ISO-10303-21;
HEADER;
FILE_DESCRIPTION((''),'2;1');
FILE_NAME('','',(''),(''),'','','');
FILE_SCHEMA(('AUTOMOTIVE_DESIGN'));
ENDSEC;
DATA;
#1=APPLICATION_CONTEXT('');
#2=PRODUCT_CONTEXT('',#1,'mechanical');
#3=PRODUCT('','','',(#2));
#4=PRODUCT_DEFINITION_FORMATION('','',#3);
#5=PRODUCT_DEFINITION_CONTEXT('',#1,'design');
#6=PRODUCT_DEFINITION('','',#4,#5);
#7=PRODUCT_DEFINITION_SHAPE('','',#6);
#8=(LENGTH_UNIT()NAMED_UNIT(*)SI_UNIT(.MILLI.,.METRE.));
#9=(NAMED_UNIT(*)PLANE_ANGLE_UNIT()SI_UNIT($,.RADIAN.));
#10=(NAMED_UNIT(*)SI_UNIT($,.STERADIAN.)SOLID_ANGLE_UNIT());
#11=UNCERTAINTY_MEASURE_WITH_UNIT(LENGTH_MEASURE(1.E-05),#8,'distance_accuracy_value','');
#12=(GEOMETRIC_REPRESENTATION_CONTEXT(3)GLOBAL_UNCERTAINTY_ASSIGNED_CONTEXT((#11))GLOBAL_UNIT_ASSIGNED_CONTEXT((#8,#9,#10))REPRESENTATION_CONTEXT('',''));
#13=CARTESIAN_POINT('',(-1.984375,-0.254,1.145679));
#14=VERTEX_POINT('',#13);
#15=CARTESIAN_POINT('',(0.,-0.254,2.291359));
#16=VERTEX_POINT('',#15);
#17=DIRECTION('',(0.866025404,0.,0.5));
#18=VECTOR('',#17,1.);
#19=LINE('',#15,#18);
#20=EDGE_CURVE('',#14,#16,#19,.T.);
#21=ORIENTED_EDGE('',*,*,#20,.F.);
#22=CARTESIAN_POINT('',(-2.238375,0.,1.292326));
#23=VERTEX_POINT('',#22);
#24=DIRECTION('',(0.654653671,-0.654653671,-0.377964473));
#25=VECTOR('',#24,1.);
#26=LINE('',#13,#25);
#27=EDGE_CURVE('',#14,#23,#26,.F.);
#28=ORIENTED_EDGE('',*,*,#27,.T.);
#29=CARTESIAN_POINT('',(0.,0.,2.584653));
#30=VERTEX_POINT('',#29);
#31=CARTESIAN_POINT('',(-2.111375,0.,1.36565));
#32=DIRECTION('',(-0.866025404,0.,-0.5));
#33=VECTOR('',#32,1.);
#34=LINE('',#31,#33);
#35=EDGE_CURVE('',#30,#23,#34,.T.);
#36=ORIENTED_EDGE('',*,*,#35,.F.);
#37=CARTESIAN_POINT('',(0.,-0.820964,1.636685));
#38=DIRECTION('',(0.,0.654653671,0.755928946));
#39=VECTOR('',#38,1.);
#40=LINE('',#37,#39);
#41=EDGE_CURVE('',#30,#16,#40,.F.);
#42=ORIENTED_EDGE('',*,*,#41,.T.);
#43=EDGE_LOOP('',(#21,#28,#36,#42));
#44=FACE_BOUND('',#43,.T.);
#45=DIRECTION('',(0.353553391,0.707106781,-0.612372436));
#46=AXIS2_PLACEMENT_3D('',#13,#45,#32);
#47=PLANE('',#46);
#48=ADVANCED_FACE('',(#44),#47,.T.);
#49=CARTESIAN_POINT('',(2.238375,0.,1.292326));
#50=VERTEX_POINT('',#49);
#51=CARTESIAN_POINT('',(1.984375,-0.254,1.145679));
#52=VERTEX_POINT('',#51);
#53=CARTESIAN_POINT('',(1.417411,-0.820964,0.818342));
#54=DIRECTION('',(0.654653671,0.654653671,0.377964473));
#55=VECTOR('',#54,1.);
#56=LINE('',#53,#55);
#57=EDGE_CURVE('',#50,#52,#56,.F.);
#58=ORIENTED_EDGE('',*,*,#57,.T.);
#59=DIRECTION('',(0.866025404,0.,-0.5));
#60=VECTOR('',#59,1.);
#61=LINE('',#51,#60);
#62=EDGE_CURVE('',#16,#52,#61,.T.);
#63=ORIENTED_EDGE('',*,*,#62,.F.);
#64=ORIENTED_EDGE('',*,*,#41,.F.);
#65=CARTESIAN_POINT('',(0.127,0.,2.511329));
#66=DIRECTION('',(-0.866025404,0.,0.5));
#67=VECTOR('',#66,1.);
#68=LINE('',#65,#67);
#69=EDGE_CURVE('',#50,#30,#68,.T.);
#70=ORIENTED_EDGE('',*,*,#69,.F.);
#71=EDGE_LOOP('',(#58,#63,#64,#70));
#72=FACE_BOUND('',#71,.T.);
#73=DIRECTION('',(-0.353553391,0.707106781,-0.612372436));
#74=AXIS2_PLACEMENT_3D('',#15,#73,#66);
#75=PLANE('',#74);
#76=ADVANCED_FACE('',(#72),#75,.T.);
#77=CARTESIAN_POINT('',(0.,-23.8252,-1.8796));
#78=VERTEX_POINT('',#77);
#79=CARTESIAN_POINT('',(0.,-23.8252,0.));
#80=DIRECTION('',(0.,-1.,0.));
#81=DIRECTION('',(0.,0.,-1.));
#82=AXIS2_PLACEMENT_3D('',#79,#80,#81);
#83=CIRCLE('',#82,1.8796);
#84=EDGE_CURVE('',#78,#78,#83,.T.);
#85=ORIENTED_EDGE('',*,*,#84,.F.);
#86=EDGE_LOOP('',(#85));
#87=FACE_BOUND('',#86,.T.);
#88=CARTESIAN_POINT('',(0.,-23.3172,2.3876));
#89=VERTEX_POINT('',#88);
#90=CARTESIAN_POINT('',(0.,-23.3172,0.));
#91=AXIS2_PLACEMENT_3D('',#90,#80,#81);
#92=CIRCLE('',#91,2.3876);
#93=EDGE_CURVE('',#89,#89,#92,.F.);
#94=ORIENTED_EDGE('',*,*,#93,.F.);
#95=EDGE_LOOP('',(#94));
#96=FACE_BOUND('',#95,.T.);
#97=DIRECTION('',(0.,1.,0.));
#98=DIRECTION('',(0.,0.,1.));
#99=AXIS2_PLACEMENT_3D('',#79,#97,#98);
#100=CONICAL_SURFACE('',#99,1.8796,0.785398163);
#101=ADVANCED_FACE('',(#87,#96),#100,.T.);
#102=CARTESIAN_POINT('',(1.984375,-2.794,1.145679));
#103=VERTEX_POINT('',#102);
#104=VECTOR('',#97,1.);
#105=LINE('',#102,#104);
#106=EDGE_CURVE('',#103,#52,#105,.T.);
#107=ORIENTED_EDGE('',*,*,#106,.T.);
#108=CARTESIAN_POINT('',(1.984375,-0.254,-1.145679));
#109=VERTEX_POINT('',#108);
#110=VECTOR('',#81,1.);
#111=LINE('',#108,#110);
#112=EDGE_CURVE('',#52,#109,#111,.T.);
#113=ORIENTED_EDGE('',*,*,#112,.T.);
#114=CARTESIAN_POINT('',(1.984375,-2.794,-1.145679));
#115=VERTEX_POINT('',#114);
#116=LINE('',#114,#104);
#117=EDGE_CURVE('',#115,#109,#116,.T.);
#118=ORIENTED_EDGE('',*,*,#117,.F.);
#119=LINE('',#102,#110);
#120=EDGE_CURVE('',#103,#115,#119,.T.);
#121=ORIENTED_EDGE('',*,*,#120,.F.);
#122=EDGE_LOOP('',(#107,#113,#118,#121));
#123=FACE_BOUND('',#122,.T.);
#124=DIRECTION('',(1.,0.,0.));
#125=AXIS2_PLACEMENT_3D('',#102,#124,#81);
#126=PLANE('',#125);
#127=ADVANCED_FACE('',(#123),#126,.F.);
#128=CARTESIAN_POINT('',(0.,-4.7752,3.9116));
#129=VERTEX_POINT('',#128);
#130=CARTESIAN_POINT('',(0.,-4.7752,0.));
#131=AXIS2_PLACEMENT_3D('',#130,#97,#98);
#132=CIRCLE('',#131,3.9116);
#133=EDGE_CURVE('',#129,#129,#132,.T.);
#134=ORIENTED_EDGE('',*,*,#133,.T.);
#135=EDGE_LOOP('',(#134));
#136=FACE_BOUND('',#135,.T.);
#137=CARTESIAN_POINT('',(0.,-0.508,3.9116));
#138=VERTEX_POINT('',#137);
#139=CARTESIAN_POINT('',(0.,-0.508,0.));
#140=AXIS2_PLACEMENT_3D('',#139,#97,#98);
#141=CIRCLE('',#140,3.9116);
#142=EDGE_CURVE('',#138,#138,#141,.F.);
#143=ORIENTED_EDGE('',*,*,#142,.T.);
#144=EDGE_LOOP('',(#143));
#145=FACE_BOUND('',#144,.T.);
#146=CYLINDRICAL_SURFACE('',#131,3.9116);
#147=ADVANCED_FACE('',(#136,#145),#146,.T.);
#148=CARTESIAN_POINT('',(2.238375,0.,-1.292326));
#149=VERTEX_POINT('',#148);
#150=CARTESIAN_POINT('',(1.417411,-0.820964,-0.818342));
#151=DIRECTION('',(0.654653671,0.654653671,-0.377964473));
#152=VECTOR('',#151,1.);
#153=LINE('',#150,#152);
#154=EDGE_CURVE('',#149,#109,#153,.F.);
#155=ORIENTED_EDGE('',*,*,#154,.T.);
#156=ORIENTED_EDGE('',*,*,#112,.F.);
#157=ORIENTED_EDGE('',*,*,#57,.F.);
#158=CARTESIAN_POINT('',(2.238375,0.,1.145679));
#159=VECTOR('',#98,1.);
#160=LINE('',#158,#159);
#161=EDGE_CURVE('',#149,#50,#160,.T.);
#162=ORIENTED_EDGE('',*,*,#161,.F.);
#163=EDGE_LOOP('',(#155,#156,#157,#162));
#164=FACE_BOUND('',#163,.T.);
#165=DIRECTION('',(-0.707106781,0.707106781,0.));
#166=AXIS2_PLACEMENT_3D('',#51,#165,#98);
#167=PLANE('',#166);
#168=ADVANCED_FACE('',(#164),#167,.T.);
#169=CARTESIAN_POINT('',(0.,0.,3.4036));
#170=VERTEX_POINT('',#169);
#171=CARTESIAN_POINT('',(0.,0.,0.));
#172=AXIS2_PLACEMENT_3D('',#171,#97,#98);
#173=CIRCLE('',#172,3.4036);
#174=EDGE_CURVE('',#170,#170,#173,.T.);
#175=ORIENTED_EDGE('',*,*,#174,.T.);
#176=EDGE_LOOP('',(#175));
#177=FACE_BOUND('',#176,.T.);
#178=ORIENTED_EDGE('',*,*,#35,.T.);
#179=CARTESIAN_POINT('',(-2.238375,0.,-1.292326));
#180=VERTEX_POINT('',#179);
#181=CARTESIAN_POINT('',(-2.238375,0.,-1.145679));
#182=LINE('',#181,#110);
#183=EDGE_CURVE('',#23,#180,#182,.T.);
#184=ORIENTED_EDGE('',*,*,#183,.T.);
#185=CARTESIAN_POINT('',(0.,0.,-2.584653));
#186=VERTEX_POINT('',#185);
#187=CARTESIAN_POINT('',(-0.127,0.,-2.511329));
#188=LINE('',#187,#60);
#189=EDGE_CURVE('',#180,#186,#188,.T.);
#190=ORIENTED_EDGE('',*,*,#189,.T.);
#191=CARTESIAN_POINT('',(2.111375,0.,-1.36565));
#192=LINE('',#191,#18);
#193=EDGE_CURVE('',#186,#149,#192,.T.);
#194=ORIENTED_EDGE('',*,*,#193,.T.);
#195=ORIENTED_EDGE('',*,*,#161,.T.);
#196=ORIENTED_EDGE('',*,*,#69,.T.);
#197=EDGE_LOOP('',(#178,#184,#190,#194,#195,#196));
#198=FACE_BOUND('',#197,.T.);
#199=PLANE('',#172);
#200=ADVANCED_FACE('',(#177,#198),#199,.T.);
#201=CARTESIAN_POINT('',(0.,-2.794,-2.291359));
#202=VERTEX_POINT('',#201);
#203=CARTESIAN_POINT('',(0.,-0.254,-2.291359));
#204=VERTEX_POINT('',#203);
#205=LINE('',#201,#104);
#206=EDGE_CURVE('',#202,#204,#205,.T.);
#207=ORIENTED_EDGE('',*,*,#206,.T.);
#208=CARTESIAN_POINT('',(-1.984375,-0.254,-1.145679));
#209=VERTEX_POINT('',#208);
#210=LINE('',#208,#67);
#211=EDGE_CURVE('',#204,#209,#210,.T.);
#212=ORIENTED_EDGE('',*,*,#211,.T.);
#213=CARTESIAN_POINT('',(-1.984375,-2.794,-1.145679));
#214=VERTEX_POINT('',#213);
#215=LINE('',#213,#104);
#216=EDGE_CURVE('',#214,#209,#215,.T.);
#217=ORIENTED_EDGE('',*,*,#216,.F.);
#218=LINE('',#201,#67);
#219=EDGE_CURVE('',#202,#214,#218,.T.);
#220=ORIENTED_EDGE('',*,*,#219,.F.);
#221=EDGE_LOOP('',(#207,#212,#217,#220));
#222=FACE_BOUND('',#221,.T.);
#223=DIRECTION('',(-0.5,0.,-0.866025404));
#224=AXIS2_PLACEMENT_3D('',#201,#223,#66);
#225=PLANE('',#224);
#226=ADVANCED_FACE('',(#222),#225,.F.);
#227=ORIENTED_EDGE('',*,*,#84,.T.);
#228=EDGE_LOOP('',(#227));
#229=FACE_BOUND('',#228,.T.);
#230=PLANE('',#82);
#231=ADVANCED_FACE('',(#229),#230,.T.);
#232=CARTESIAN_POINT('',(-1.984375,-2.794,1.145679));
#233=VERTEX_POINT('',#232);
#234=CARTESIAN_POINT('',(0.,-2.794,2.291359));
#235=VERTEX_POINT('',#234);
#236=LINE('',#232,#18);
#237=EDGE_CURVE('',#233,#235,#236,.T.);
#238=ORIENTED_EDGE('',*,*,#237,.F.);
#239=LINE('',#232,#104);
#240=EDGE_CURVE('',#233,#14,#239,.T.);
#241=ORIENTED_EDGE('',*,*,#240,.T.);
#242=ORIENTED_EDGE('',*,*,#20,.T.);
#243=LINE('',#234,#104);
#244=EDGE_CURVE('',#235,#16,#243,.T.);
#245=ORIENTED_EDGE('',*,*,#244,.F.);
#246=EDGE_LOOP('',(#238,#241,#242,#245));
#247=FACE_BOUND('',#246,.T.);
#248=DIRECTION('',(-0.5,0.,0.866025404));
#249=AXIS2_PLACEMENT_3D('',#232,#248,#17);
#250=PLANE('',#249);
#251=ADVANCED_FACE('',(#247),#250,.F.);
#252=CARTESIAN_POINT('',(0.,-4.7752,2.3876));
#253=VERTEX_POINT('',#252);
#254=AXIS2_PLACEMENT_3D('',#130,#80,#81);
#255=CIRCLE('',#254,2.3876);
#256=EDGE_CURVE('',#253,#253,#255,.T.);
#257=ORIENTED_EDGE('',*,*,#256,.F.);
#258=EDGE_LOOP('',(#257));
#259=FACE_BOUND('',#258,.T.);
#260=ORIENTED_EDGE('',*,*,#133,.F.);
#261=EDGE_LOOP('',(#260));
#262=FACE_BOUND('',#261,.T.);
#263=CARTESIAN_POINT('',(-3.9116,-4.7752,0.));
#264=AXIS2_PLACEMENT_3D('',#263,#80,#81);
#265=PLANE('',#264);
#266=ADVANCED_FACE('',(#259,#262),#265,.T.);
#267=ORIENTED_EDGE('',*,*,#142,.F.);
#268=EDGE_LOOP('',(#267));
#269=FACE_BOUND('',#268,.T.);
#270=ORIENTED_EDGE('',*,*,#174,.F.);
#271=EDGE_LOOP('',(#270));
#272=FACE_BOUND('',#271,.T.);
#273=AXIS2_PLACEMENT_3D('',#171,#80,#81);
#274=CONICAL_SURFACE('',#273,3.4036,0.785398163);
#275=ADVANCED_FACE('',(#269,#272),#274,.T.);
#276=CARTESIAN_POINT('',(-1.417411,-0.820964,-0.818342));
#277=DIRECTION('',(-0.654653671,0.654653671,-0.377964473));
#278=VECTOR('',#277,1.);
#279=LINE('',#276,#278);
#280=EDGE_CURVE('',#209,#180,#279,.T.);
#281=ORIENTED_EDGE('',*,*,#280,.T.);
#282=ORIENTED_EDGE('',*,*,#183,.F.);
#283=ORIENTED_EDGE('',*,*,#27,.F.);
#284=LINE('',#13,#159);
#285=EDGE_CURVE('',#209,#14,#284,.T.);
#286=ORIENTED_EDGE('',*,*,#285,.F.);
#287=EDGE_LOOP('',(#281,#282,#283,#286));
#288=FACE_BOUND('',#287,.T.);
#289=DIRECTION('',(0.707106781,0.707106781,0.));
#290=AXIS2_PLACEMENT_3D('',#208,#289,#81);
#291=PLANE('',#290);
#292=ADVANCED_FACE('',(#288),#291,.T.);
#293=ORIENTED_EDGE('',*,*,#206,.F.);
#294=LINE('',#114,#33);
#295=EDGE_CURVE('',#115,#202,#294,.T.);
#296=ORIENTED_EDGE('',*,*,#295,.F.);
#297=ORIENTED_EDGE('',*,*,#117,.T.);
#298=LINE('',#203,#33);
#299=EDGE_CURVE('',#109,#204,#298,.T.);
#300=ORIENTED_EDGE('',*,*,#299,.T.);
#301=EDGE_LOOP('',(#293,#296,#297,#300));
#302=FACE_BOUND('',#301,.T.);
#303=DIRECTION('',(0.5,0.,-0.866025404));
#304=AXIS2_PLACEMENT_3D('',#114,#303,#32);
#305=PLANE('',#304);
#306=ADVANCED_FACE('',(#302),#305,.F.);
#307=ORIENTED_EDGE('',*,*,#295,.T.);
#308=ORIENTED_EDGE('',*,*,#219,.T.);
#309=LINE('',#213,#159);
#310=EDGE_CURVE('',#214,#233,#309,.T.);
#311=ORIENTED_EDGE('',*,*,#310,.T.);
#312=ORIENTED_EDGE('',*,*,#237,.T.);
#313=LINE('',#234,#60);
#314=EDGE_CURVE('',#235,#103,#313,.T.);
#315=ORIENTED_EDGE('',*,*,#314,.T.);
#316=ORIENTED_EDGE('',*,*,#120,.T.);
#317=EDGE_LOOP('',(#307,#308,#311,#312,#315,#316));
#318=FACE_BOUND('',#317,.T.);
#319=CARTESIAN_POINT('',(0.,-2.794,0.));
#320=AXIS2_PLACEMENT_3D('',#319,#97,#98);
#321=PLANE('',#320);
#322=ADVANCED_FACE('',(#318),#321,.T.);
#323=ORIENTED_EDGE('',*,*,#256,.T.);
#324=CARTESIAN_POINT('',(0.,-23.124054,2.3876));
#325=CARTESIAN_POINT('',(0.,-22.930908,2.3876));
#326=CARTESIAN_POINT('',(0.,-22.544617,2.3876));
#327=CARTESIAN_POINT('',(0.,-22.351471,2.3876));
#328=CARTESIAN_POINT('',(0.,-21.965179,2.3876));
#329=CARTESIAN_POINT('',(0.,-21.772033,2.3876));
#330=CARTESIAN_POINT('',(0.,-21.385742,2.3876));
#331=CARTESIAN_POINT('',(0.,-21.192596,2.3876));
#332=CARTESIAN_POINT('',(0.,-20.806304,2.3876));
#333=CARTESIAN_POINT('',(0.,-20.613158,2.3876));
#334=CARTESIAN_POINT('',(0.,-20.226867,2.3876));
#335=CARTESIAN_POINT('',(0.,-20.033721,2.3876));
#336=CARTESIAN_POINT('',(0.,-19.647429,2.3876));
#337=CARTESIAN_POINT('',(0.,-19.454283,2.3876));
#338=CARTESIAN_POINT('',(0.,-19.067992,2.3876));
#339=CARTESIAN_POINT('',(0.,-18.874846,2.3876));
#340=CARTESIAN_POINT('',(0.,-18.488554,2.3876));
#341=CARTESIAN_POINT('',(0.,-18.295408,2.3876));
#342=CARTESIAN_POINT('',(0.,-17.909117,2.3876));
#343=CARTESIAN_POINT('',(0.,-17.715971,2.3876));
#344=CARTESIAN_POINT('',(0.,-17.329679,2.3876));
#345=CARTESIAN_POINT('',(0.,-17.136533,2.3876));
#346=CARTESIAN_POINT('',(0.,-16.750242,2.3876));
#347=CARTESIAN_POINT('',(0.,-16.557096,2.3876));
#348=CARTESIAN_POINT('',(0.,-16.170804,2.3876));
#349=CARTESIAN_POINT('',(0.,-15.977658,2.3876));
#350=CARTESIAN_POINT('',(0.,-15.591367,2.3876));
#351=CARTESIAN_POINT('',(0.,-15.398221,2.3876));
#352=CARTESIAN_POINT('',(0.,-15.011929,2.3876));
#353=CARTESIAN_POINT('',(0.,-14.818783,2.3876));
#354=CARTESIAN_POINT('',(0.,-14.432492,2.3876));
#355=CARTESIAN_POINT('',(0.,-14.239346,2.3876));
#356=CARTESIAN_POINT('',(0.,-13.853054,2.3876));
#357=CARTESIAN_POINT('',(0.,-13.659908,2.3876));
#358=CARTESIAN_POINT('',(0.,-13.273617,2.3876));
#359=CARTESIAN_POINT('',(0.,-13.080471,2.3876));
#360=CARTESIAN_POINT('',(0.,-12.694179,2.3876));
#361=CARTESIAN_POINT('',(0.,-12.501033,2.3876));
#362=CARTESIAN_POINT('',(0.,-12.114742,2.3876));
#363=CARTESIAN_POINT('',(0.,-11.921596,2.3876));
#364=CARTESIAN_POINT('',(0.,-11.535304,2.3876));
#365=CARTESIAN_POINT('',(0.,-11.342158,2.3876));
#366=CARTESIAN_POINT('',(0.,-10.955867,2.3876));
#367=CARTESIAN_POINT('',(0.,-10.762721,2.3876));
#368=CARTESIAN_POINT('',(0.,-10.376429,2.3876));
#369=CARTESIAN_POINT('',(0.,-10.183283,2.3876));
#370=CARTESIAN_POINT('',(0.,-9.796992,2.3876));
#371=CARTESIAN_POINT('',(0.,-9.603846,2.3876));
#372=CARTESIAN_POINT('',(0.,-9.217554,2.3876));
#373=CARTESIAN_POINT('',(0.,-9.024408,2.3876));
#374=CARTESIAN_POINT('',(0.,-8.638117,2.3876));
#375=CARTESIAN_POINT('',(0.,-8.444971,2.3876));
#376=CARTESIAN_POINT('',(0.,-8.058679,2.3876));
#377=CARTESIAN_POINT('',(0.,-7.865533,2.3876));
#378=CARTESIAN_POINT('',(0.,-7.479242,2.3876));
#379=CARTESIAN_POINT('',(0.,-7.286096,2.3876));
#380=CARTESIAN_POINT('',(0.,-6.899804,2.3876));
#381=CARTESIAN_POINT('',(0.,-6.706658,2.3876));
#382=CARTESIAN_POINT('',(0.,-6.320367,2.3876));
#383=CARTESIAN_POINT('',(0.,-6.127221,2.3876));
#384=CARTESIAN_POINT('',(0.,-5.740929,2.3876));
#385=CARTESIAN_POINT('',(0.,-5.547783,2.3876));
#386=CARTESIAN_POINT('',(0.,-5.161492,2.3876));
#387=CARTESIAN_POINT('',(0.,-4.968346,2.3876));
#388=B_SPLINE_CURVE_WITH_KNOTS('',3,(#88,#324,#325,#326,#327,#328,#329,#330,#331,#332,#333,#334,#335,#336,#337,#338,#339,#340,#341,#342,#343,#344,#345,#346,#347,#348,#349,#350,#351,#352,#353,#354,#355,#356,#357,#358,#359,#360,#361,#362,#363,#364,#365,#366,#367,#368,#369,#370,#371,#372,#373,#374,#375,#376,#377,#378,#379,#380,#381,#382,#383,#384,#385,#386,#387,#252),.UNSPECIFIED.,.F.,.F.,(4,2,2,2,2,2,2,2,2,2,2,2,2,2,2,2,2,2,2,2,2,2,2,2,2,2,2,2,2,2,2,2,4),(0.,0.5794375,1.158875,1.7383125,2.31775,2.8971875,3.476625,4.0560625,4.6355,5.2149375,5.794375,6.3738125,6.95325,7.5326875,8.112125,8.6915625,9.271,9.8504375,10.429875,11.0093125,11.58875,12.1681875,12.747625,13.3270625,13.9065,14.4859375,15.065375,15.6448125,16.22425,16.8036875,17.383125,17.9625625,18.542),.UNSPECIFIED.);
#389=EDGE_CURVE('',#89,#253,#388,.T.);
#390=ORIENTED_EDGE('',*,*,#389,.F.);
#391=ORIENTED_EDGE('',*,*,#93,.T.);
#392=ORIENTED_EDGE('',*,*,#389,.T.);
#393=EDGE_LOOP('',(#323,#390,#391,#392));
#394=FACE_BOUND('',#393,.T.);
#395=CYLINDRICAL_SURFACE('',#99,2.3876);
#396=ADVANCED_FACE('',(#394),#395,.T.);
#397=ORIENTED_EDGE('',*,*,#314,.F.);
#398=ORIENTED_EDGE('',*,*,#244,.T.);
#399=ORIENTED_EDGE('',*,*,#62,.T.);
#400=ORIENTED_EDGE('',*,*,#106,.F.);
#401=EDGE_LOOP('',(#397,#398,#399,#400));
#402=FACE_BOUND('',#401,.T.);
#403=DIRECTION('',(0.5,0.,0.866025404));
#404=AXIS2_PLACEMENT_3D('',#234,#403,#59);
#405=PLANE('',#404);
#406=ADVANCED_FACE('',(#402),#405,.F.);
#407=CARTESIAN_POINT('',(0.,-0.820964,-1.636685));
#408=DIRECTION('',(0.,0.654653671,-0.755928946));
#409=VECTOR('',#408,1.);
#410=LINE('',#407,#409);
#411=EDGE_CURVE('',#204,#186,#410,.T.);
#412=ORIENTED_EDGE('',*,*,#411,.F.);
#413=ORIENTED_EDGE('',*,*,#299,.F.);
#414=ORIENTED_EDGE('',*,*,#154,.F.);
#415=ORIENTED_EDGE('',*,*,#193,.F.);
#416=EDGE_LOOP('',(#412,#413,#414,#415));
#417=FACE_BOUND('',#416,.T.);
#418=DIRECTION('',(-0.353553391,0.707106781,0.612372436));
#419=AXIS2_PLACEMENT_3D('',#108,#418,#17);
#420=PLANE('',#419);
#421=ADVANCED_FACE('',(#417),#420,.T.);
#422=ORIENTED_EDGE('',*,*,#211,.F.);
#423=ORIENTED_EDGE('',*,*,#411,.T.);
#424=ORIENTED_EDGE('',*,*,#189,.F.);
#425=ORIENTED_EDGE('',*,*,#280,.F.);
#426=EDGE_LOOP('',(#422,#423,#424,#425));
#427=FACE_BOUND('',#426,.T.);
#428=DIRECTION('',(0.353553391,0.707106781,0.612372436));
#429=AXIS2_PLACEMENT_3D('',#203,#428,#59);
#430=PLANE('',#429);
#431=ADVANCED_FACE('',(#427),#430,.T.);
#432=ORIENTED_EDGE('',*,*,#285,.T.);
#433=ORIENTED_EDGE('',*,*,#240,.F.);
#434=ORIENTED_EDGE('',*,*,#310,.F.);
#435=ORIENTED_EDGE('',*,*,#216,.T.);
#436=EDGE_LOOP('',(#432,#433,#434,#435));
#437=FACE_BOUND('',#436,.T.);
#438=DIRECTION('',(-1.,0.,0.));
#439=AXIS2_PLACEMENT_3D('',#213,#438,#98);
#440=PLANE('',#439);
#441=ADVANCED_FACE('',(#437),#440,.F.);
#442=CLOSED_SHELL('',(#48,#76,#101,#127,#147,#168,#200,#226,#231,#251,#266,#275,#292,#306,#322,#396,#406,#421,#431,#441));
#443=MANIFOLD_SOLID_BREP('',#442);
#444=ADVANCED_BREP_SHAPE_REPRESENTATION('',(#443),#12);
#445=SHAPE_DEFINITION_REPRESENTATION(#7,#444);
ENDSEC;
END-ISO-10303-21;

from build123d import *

# Parameters (mm, degrees)
SKETCH1_W           = 3.9116
SKETCH1_H           = 4.7752
SKETCH2_R           = 2.3876
BOSS_EXTRUDE1_DEPTH = 19.05
CUT_EXTRUDE1_DEPTH  = 2.794
CHAMFER1_SIZE       = 0.508
CHAMFER2_SIZE       = 0.254


with BuildPart() as part:
    # Sketch1 → Revolve1 (revolve)
    with BuildSketch(Plane.XY, mode=Mode.PRIVATE) as revolve1_sk:
        with Locations((-1.9558, -2.3876)):
            Rectangle(SKETCH1_W, SKETCH1_H)
    revolve(revolve1_sk.sketch.rotate(Axis((0, -4.7752, 0), (0, 1, 0)), 90), axis=Axis((0, -4.7752, 0), (0, 1, 0)))

    # Sketch2 → Boss-Extrude1 (add)
    with BuildSketch(Plane.XZ.offset(4.7752)):
        with Locations(Location((0, 0, 0), (0, 0, 90))):
            Circle(SKETCH2_R)
    extrude(amount=BOSS_EXTRUDE1_DEPTH)

    # Sketch3 → Cut-Extrude1 (cut)
    with BuildSketch(Plane(origin=(0, 0, 0), x_dir=(-1, 0, 0), z_dir=(0, 1, 0))):
        Polygon((1.984374999, -1.14567944), (1.984374999, 1.14567944), (0, 2.29135888), (-1.984374999, 1.14567944), (-1.984374999, -1.14567944), (0, -2.29135888), align=None)
    extrude(amount=-CUT_EXTRUDE1_DEPTH, mode=Mode.SUBTRACT)

    # Chamfer1
    chamfer1_edges = [part.edges().sort_by_distance(p)[0] for p in [
        (0, 0, -3.9116),
        (0, -23.8252, -2.3876),
    ]]
    chamfer(chamfer1_edges, length=CHAMFER1_SIZE)

    # Chamfer2
    chamfer2_edges = [part.edges().sort_by_distance(p)[0] for p in [
        (-0.9921875, 0, -1.71851916),
        (-1.984374999, 0, 0),
        (-0.9921875, 0, 1.71851916),
        (0.9921875, 0, 1.71851916),
        (1.984374999, 0, 0),
        (0.9921875, 0, -1.71851916),
    ]]
    chamfer(chamfer2_edges, length=CHAMFER2_SIZE)


solid = part.part
